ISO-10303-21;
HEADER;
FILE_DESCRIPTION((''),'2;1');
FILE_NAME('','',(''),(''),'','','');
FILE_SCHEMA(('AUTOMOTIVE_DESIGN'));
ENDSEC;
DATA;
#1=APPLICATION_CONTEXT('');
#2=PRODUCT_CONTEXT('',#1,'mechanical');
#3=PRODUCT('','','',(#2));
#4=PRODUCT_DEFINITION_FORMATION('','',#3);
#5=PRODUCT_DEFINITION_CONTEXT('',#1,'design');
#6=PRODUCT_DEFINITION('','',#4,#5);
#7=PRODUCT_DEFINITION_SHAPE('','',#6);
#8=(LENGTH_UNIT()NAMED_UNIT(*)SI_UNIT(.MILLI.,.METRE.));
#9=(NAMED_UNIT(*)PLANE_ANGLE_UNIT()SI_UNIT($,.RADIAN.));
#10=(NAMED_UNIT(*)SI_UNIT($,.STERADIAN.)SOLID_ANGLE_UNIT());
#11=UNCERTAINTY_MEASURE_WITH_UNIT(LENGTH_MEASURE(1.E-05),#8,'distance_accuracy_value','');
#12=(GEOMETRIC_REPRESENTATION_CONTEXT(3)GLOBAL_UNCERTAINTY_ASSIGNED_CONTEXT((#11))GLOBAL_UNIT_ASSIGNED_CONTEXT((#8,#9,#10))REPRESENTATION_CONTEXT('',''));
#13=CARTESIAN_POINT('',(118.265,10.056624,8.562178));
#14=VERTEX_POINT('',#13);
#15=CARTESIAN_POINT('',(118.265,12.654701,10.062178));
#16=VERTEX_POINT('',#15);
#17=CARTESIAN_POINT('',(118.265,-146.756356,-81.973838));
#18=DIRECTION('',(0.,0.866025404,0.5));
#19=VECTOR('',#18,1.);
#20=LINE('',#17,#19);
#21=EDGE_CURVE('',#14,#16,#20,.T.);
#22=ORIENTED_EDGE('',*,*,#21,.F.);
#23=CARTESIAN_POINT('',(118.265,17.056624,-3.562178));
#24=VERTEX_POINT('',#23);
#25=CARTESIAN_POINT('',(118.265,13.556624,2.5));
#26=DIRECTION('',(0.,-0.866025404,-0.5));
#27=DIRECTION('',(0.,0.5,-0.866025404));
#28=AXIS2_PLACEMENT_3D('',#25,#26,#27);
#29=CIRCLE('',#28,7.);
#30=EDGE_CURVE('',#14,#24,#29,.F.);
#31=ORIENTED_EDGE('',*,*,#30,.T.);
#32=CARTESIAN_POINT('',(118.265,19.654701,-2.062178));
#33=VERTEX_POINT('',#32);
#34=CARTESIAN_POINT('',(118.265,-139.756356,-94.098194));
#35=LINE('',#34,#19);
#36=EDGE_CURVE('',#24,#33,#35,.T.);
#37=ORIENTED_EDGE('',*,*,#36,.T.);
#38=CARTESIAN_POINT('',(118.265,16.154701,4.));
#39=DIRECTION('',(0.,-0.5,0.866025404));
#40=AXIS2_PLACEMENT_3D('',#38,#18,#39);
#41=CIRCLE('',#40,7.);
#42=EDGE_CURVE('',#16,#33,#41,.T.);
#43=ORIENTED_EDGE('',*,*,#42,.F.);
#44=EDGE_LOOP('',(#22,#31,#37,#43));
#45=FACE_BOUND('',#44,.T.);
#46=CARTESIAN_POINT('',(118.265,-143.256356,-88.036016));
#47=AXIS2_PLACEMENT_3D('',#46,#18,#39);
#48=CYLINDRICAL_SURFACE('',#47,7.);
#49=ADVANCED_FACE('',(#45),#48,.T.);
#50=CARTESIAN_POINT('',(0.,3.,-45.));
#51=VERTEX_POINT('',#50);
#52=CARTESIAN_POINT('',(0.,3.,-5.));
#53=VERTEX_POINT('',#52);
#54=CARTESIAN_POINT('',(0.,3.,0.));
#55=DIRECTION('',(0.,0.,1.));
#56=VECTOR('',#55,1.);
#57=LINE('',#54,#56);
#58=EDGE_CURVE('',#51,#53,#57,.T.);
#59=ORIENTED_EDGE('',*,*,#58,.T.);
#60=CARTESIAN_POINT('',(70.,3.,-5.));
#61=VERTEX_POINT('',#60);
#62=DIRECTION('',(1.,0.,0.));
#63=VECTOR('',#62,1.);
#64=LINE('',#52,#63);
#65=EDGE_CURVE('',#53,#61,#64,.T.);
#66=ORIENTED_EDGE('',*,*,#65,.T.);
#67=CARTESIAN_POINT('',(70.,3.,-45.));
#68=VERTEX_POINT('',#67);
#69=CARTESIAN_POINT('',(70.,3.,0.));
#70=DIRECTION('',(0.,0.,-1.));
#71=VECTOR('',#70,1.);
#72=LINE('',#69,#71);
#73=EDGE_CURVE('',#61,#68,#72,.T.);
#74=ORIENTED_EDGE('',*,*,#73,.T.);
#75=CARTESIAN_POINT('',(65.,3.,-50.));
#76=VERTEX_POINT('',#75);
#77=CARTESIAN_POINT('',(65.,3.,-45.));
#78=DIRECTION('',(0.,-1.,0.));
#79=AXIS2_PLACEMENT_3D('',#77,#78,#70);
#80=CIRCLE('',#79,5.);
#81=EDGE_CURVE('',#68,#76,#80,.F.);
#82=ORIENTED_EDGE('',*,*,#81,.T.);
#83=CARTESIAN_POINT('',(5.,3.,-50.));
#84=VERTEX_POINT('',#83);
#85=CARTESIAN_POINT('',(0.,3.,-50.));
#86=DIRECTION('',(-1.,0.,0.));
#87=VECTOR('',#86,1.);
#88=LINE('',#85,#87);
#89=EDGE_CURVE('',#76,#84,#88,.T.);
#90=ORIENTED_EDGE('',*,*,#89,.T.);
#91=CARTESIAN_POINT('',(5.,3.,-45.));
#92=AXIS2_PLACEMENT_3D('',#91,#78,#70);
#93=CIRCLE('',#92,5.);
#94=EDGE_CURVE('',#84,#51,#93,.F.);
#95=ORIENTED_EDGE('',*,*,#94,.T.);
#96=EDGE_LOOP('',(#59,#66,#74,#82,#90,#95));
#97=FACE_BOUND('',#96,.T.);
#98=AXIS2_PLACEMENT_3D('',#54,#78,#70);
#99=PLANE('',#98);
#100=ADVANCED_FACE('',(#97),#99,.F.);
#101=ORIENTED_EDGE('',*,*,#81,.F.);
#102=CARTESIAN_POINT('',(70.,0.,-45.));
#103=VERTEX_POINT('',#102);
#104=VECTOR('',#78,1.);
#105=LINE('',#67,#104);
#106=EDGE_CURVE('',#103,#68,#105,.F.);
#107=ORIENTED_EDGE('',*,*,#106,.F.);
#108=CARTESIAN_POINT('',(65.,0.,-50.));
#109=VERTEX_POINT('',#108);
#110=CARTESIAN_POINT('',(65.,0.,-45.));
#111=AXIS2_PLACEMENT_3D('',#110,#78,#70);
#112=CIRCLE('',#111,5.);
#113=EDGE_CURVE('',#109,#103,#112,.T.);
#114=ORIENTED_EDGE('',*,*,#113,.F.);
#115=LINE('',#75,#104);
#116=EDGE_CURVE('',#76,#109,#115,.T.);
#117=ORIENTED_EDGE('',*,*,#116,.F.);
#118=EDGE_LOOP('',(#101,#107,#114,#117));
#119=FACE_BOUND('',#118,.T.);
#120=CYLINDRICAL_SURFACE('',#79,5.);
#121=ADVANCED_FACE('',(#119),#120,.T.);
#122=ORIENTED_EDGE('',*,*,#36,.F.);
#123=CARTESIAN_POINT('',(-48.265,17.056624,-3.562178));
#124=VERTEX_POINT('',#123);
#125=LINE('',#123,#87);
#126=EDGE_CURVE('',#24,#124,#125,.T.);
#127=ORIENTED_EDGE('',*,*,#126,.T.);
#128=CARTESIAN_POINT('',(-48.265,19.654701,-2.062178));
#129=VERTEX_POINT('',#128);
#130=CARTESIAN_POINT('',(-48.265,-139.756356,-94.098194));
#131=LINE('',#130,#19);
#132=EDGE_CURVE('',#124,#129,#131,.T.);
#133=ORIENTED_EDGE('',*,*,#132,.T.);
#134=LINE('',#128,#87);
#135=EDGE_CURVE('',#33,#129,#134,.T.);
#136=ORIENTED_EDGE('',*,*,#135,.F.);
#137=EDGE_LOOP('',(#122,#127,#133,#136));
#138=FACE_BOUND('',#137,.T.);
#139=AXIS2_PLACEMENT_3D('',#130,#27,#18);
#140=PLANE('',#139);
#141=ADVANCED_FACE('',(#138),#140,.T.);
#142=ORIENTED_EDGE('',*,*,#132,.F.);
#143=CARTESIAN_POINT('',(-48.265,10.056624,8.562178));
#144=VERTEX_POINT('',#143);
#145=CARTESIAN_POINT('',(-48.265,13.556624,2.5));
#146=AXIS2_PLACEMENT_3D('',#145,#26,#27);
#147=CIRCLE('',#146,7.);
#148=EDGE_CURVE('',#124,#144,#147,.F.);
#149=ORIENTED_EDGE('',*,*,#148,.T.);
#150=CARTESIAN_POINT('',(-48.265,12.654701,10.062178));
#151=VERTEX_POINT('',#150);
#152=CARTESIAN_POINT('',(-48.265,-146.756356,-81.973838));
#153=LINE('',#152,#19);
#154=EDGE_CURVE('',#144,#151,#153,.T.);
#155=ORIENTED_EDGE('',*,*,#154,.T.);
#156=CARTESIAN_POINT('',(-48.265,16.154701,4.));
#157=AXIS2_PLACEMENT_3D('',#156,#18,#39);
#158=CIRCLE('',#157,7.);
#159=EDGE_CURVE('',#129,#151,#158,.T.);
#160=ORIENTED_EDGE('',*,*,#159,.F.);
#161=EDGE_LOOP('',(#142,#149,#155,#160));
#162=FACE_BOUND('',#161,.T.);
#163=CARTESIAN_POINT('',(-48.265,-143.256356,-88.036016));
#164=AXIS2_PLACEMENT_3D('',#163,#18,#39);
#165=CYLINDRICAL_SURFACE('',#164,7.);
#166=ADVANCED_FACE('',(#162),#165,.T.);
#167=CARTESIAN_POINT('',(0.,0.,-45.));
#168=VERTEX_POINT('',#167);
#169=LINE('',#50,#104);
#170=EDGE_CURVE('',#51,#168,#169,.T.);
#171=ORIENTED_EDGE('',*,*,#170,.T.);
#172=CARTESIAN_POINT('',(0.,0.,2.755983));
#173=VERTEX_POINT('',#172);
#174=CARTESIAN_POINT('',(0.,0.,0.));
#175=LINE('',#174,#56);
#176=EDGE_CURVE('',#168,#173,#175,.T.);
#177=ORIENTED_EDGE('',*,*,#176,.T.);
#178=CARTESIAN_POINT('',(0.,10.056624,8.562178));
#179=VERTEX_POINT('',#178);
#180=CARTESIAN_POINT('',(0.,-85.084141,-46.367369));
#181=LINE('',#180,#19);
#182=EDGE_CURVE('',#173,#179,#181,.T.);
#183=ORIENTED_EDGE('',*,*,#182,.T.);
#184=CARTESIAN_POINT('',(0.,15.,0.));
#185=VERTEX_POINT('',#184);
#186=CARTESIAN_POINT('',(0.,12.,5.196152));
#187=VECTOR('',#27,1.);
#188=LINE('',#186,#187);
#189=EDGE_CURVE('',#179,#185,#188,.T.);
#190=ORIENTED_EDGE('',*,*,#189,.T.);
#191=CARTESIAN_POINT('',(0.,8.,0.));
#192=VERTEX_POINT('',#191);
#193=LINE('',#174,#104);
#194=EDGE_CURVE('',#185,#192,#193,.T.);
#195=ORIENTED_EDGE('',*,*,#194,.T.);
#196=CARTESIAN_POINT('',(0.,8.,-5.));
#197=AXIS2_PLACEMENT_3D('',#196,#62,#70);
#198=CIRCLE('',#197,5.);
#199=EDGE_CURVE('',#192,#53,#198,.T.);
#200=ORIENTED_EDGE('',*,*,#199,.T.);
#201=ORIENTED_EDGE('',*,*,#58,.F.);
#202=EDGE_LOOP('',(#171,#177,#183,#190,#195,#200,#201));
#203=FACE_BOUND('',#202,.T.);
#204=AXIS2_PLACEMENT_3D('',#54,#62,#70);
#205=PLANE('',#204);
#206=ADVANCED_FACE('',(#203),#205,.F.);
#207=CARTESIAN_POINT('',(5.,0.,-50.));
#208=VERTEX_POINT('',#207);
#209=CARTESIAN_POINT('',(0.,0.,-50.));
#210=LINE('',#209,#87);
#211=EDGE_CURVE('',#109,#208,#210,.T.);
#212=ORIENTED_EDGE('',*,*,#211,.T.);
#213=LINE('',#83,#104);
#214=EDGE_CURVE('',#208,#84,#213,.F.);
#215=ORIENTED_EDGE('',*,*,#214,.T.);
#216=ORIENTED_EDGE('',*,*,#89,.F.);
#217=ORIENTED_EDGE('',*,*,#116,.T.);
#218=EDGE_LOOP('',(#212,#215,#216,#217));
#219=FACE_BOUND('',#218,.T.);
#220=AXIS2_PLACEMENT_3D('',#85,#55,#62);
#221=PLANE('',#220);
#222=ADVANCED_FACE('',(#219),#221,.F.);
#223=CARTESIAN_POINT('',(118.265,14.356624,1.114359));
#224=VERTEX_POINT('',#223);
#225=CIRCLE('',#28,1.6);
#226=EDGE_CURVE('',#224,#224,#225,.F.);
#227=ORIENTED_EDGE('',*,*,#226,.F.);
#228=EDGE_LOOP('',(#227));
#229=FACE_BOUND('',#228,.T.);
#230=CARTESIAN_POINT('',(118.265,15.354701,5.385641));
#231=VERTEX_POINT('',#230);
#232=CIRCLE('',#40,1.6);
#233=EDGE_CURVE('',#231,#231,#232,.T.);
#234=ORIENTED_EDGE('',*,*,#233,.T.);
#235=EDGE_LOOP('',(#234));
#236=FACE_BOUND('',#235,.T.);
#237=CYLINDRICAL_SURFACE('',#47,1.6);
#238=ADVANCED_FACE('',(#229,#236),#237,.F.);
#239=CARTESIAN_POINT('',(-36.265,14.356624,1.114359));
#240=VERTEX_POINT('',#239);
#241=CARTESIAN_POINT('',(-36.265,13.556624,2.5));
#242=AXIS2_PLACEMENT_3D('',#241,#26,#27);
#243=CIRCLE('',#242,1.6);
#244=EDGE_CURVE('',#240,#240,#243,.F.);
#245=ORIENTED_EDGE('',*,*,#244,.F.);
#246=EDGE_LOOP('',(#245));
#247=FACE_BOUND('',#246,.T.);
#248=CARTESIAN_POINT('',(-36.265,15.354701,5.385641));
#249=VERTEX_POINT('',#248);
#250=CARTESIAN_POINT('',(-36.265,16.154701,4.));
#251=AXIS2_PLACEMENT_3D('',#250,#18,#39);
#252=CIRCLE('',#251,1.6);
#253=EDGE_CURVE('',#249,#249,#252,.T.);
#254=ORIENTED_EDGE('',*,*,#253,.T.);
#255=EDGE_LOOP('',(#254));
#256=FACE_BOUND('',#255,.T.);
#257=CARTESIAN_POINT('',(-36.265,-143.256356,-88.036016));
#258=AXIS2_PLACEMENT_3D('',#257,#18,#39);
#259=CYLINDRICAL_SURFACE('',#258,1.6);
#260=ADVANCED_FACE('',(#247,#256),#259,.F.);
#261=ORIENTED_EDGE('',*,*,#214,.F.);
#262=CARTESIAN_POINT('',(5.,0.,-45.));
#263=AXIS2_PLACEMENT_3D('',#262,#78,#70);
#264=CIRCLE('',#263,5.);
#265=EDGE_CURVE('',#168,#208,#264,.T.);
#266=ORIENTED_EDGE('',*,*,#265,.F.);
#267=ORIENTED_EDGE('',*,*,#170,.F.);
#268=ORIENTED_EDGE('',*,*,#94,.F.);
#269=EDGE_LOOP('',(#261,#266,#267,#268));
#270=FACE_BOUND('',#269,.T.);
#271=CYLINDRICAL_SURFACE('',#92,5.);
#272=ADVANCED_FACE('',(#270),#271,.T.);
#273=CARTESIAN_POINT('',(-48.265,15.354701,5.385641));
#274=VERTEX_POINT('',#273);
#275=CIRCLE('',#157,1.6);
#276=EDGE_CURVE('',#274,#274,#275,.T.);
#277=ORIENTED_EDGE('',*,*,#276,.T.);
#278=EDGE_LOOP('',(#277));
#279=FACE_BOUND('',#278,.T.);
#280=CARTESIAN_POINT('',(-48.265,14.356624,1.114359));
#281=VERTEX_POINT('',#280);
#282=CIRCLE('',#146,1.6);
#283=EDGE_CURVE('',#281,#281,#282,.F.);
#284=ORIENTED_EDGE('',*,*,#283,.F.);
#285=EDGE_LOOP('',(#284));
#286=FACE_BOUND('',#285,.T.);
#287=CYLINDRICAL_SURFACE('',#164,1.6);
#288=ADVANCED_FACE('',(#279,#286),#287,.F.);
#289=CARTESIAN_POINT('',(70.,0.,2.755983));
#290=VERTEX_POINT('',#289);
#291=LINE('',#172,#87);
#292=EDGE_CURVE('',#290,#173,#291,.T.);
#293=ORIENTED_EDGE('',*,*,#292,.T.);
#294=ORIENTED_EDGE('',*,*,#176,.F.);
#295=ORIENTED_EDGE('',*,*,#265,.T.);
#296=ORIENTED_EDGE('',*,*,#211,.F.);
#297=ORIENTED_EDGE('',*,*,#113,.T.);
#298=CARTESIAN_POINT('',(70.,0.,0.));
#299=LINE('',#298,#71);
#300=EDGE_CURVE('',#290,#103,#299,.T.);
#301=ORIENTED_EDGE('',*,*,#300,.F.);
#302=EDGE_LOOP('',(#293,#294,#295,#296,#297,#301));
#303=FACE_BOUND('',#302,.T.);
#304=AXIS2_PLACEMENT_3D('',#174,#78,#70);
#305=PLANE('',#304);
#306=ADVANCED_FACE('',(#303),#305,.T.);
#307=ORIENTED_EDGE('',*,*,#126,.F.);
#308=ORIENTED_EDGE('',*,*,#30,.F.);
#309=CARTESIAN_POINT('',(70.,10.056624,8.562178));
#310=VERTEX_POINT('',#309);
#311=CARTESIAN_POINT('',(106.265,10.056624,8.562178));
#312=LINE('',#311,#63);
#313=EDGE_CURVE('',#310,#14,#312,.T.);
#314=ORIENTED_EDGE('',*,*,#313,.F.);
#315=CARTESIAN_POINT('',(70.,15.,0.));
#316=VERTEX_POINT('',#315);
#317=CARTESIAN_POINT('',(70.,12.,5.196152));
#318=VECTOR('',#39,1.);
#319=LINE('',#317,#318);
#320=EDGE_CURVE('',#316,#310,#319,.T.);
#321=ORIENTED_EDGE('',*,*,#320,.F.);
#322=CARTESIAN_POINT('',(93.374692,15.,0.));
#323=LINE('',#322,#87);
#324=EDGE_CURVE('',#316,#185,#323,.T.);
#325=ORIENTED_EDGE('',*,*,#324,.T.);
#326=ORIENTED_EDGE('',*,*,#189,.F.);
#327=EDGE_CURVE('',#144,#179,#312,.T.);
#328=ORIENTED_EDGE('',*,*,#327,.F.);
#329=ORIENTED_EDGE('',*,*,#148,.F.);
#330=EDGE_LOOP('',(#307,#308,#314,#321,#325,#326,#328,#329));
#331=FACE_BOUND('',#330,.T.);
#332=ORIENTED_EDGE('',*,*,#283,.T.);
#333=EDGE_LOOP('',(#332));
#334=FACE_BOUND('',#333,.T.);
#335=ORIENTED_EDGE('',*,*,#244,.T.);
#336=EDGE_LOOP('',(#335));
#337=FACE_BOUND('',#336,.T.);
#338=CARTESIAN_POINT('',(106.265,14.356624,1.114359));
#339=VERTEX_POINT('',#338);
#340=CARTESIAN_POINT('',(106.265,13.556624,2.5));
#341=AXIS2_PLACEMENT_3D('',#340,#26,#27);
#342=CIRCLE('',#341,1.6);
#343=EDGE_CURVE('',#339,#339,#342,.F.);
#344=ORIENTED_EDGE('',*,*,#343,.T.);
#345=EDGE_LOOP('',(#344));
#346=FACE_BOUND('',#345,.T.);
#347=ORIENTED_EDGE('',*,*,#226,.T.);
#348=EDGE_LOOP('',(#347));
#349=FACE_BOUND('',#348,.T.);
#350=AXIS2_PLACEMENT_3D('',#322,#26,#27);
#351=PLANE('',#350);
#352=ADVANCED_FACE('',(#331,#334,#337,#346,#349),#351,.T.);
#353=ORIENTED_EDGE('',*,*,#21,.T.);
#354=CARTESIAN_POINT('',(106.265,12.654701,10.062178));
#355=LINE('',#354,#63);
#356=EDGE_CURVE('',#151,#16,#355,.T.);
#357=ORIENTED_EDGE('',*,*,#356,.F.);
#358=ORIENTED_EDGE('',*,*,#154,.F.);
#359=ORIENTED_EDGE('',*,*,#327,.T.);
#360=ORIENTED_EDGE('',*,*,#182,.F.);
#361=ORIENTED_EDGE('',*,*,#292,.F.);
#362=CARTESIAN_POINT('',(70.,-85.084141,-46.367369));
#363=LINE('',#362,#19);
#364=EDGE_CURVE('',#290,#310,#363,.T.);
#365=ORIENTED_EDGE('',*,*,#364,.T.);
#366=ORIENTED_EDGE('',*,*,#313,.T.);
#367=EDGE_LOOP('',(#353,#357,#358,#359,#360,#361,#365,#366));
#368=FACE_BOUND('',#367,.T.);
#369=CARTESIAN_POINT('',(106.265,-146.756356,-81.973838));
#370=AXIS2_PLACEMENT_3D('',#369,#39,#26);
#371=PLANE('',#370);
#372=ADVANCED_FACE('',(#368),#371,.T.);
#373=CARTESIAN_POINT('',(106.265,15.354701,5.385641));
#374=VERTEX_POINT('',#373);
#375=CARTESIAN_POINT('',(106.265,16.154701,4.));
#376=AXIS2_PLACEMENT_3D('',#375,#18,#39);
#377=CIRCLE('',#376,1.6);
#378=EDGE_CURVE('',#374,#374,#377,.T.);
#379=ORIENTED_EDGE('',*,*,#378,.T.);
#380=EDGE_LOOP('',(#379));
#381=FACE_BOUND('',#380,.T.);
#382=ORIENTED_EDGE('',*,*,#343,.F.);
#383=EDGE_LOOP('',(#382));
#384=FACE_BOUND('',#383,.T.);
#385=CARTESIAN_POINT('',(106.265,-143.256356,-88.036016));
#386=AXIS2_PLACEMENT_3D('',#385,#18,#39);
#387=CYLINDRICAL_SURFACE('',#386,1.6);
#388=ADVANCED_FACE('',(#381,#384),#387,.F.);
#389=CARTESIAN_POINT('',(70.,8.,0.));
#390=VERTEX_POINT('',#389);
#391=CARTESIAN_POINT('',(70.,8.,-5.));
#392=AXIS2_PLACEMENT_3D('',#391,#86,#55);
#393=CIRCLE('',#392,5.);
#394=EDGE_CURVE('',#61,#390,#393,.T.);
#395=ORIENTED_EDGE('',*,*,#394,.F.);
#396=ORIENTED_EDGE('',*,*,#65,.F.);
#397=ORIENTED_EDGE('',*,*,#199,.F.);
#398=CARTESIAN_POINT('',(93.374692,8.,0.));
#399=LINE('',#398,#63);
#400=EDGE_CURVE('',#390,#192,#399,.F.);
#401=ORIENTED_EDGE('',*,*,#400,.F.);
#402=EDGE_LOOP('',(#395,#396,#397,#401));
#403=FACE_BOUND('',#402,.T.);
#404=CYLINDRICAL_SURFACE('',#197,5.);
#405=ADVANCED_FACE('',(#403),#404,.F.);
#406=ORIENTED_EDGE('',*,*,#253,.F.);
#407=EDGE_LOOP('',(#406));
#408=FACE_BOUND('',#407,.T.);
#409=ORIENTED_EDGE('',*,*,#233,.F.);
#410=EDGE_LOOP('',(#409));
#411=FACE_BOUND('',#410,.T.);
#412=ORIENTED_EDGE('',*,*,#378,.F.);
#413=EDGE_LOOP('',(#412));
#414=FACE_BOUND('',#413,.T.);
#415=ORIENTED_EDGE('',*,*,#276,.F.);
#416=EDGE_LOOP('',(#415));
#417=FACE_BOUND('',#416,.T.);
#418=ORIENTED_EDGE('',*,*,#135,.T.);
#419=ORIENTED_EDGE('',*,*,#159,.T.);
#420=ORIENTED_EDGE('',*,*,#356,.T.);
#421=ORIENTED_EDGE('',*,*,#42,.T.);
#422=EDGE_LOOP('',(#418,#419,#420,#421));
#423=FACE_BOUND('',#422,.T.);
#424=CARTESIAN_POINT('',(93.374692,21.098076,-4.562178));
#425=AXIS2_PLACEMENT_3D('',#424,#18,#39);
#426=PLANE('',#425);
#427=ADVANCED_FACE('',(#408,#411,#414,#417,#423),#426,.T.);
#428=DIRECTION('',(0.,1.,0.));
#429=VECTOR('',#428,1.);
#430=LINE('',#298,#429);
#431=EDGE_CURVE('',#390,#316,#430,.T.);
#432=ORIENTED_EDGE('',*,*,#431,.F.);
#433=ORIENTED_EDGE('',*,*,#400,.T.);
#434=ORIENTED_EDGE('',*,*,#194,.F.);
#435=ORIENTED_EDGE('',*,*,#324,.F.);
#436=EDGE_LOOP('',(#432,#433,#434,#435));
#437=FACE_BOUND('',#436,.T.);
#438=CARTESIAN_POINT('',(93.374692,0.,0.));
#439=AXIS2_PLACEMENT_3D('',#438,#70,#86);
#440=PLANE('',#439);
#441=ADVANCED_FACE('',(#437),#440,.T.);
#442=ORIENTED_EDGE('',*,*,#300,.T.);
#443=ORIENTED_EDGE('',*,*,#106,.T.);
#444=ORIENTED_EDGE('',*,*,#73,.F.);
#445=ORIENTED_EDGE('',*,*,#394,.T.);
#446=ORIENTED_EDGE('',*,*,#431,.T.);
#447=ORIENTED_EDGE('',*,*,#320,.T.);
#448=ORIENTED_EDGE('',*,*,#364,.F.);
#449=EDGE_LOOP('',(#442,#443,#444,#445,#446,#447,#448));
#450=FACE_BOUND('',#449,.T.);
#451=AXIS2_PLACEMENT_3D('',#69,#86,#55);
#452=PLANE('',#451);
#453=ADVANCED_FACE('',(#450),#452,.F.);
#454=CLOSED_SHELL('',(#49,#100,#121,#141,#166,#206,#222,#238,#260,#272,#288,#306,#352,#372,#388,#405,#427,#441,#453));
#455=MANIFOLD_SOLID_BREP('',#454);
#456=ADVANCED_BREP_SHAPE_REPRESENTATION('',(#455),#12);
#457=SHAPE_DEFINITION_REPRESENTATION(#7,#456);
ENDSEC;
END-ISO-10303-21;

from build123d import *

# Parameters (mm, degrees)
SKETCH_1_W          = 70
SKETCH_1_H          = 50
EXTRUDE_1_DEPTH     = 3
EXTRUDE_2_DEPTH     = 70
SKETCH_3_R          = 1.6
EXTRUDE_3_DEPTH     = 3
EXTRUDE_4_REACH     = 139.875
SKETCH_4_W          = 70
SKETCH_4_H          = 5.267949192
FILLET_1_R          = 5
SKETCH_5_W          = 70
SKETCH_5_H          = 28.866025404
CUT_EXTRUDE_1_DEPTH = 138.47436204
SKETCH_6_W          = 70
SKETCH_6_H          = 3
CUT_EXTRUDE_2_DEPTH = 133.365261865
FILLET_2_R          = 5


with BuildPart() as part:
    # 草图1 → 凸台-拉伸1 (new body)
    with BuildSketch(Plane(origin=(0, 0, 0), x_dir=(1, 0, 0), z_dir=(0, 1, 0))):
        with Locations((35, 25)):
            Rectangle(SKETCH_1_W, SKETCH_1_H)
    extrude(amount=EXTRUDE_1_DEPTH)

    # 草图2 → 凸台-拉伸2 (add)
    with BuildSketch(Plane.ZY):
        Polygon((0, 15), (-6.062177826, 18.5), (-4.562177826, 21.098076211), (4, 16.154700538), (4, 15), (4, 0), (0, 0), align=None)
    extrude(amount=-EXTRUDE_2_DEPTH)

    # 草图3 → 凸台-拉伸3 (add)
    with BuildSketch(Plane(origin=(0, 13.848076211, 7.995190528), x_dir=(1, 0, 0), z_dir=(0, 0.86602540378444, 0.49999999999999784))):
        with BuildLine():
            Line((-48.265, 11.613248654), (-36.265, 11.613248654))
            Line((-36.265, 11.613248654), (106.265, 11.613248654))
            Line((106.265, 11.613248654), (118.265, 11.613248654))
            ThreePointArc((118.265, 11.613248654), (125.265, 4.613248654), (118.265, -2.386751346))
            Line((118.265, -2.386751346), (106.265, -2.386751346))
            Line((106.265, -2.386751346), (-36.265, -2.386751346))
            Line((-36.265, -2.386751346), (-48.265, -2.386751346))
            ThreePointArc((-48.265, -2.386751346), (-55.265, 4.613248654), (-48.265, 11.613248654))
        make_face()
        with Locations(Location((-36.265, 4.613248654, 0), (0, 0, 270))):
            Circle(SKETCH_3_R, mode=Mode.SUBTRACT)
        with Locations(Location((106.265, 4.613248654, 0), (0, 0, 270))):
            Circle(SKETCH_3_R, mode=Mode.SUBTRACT)
        with Locations(Location((-48.265, 4.613248654, 0), (0, 0, 270))):
            Circle(SKETCH_3_R, mode=Mode.SUBTRACT)
        with Locations(Location((118.265, 4.613248654, 0), (0, 0, 270))):
            Circle(SKETCH_3_R, mode=Mode.SUBTRACT)
    extrude(amount=-EXTRUDE_3_DEPTH)

    # 凸台-拉伸4: up to this face of the body (flat: up to its plane)
    extrude_4_end = Plane(part.part.faces().sort_by_distance((35, 6.345299462, 4))[0])
    # 草图4 → 凸台-拉伸4 (add, up to the picked face)
    with BuildSketch(Plane(origin=(0, 11.25, 6.495190528), x_dir=(1, 0, 0), z_dir=(0, -0.8660254037844396, -0.4999999999999982)), mode=Mode.PRIVATE) as extrude_4_sk1:
        with Locations((35, -0.24722325)):
            Rectangle(SKETCH_4_W, SKETCH_4_H)
    extrude_4_tool1 = split(extrude(extrude_4_sk1.sketch, amount=EXTRUDE_4_REACH, mode=Mode.PRIVATE), bisect_by=extrude_4_end, keep=Keep.BOTH, mode=Mode.PRIVATE)
    add(extrude_4_tool1.solids().sort_by(Axis((35, 11.373612, 6.281089), (0, -0.8660254037844396, -0.4999999999999982)))[0])

    # 圆角1
    fillet_1_edges = [part.edges().sort_by_distance(p)[0] for p in [
        (35, 3, 0),
    ]]
    fillet(fillet_1_edges, radius=FILLET_1_R)

    # 草图5 → 切除-拉伸1 (cut, through all)
    with BuildSketch(Plane(origin=(0, -1.193375673, 2.066987298), x_dir=(1, 0, 0), z_dir=(-1.4881366732147052e-15, -0.49999999999999784, 0.8660254037844398))):
        with Locations((35, -10.566987298)):
            Rectangle(SKETCH_5_W, SKETCH_5_H)
    extrude(amount=CUT_EXTRUDE_1_DEPTH, mode=Mode.SUBTRACT)

    # 草图6 → 切除-拉伸2 (cut, through all)
    with BuildSketch(Plane(origin=(0, 5.806624327, -10.057368355), x_dir=(-1, 0, 0), z_dir=(0, 0.49999999999999784, -0.8660254037844398))):
        with Locations((-35, 14.490381057)):
            Rectangle(SKETCH_6_W, SKETCH_6_H)
    extrude(amount=CUT_EXTRUDE_2_DEPTH, mode=Mode.SUBTRACT)

    # 圆角2
    fillet_2_edges = [part.edges().sort_by_distance(p)[0] for p in [
        (0, 1.5, -50),
        (70, 1.5, -50),
    ]]
    fillet(fillet_2_edges, radius=FILLET_2_R)


solid = part.part
